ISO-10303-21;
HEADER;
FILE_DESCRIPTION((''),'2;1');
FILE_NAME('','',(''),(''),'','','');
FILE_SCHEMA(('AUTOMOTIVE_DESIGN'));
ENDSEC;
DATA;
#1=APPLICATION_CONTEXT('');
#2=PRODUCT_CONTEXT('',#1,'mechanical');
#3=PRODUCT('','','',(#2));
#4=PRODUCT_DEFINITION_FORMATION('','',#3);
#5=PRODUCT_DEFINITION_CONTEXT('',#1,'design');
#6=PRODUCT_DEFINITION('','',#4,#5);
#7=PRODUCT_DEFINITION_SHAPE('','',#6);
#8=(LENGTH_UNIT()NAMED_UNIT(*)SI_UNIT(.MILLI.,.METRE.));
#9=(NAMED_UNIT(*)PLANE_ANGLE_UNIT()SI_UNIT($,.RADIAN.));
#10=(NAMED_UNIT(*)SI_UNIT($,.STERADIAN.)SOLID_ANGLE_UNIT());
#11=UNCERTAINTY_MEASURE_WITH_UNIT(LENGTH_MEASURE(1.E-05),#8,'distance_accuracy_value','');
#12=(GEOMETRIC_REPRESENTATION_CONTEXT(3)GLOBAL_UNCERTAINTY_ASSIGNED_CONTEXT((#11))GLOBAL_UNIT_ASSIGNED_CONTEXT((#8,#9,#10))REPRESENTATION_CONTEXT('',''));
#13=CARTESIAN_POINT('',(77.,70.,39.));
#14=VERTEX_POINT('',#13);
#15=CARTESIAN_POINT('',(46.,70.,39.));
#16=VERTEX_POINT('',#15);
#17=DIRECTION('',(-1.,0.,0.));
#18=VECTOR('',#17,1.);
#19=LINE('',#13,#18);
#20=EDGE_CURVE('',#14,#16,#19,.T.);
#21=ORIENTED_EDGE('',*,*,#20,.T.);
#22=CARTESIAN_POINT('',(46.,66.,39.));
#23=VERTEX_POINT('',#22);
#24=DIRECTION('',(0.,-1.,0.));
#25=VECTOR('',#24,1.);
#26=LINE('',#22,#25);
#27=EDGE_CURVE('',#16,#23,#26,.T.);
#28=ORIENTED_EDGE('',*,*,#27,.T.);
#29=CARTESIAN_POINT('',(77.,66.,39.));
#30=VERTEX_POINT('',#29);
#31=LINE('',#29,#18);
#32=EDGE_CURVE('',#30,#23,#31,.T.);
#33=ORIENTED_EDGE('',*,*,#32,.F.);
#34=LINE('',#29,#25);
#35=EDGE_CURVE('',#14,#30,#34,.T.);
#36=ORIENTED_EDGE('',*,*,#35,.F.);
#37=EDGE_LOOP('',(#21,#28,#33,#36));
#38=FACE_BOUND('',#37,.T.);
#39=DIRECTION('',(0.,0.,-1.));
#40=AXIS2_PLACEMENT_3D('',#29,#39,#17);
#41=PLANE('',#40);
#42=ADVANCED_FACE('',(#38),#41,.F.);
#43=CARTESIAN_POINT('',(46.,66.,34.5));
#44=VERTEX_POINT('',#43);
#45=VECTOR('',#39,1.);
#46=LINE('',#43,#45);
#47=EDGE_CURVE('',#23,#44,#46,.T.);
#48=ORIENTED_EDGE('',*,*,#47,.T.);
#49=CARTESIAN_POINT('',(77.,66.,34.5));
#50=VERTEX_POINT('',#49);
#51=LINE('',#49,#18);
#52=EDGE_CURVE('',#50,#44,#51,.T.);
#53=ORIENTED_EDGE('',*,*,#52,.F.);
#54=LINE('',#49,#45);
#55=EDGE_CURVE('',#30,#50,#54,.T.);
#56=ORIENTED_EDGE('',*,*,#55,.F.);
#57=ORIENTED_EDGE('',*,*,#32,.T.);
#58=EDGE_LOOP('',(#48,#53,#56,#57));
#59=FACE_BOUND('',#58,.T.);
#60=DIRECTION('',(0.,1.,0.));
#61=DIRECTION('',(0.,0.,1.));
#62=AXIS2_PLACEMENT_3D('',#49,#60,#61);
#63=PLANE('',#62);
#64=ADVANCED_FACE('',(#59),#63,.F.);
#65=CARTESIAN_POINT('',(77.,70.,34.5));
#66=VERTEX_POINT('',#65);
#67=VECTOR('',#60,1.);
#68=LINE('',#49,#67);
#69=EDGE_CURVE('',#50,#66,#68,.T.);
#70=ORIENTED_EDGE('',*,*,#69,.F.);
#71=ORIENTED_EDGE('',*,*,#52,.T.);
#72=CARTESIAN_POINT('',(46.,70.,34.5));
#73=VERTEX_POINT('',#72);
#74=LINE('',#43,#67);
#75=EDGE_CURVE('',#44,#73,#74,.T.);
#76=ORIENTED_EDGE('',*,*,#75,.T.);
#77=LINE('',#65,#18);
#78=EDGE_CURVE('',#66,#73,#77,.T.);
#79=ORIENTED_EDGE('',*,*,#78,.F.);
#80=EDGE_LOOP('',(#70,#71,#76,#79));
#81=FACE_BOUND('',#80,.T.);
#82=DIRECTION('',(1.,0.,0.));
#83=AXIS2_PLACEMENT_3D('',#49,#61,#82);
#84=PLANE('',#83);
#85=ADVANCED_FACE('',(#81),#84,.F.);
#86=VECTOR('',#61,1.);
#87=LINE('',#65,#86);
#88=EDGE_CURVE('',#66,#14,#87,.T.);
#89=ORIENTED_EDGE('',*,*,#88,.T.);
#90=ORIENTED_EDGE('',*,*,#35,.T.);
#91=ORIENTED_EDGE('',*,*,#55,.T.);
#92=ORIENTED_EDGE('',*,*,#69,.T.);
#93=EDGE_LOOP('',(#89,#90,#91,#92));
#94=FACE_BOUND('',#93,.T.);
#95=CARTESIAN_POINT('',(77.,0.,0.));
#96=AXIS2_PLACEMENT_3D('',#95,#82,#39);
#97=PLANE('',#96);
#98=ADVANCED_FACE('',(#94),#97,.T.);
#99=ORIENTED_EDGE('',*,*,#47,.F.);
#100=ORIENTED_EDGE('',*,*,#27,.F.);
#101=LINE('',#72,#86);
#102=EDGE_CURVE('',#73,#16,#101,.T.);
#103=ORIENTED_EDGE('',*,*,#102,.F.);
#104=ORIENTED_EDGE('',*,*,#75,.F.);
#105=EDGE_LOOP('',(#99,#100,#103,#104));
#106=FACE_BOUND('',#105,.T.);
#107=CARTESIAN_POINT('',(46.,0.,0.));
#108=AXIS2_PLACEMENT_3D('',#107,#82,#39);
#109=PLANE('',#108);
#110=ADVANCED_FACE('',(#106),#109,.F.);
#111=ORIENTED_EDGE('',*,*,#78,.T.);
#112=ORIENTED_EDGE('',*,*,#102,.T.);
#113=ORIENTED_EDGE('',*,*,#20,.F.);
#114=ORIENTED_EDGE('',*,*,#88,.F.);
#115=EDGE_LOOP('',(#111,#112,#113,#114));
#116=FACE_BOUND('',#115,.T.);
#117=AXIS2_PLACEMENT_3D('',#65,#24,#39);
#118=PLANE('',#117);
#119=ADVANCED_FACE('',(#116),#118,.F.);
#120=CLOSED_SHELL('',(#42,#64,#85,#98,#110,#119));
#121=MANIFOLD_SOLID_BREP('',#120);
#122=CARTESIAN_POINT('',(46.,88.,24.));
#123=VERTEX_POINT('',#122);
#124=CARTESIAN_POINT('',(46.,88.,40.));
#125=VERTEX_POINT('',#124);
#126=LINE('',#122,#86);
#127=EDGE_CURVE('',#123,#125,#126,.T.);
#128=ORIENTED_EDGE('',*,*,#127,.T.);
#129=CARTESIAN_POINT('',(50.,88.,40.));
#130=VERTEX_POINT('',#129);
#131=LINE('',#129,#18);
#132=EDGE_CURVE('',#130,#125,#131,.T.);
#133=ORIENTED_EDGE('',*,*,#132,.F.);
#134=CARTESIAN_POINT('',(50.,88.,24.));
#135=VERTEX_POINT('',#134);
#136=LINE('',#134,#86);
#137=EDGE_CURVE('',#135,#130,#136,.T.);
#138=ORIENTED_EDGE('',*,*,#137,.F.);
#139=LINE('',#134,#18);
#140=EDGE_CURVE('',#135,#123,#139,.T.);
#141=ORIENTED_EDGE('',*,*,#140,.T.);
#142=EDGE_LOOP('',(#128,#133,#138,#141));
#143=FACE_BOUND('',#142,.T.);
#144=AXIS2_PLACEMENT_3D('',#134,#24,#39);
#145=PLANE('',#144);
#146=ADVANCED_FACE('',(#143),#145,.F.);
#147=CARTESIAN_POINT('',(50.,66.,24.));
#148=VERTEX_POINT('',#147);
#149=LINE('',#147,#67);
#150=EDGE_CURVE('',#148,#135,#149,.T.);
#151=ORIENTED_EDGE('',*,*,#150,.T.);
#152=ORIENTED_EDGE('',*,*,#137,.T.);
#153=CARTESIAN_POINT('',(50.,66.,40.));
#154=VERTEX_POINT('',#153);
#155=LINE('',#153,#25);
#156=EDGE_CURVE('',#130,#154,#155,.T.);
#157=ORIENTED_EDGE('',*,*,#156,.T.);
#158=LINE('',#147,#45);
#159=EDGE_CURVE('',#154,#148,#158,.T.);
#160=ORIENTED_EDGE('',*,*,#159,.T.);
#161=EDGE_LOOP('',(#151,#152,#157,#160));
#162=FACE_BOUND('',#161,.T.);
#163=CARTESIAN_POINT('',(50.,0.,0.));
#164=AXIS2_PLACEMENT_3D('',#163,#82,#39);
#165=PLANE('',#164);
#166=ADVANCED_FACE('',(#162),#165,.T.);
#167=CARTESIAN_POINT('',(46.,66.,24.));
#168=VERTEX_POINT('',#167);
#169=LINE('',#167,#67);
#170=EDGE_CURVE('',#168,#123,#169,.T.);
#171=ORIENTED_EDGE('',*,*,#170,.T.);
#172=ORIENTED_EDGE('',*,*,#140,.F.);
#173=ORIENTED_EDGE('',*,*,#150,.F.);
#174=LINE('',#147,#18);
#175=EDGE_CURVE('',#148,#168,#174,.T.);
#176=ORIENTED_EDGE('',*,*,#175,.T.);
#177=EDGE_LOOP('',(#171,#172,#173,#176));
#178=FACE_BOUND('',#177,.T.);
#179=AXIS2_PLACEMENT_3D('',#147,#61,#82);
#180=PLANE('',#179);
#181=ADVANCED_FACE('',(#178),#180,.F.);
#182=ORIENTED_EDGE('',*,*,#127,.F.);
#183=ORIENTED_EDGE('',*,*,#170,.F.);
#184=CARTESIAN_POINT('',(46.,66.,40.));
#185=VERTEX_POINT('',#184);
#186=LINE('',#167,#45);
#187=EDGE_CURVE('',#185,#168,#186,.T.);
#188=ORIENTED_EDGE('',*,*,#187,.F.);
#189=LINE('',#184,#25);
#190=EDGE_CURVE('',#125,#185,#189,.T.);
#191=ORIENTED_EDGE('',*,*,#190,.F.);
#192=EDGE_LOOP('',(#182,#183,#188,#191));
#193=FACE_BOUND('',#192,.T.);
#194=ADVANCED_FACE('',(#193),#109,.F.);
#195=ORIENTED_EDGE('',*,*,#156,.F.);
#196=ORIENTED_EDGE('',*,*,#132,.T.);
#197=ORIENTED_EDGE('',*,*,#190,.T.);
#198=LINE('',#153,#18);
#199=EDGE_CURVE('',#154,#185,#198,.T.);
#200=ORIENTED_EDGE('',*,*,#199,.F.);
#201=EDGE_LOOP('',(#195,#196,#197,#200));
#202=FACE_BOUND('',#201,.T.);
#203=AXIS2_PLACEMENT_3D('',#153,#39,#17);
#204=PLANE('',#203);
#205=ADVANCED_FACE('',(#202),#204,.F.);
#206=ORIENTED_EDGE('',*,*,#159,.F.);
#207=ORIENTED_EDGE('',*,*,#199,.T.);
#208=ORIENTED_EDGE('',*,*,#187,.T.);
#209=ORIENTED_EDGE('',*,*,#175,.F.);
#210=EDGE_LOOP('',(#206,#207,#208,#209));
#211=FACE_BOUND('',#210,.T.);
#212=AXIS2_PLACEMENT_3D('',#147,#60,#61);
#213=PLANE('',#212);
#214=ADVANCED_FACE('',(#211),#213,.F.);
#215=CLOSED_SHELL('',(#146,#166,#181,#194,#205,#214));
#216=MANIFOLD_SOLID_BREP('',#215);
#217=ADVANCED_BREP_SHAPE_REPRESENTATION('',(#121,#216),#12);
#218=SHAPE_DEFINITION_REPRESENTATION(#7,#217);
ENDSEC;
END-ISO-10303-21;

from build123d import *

# Parameters (mm, degrees)
COLUMN_START       = 46
SKETCH1_W          = 16
SKETCH1_H          = 22
COLUMN_DEPTH       = 4
ANCHOR_PLATE_START = 46
SKETCH2_W          = 4.5
SKETCH2_H          = 4
ANCHOR_PLATE_DEPTH = 31


with BuildPart() as part:
    # Sketch1 → column (new body)
    with BuildSketch(Plane(origin=(0, 0, 0), x_dir=(0, 0, -1), z_dir=(1, 0, 0)).offset(COLUMN_START)):
        with Locations((-32, 77)):
            Rectangle(SKETCH1_W, SKETCH1_H)
    extrude(amount=COLUMN_DEPTH)


with BuildPart() as body_2:
    # Sketch2 → anchor_plate (new body)
    with BuildSketch(Plane(origin=(0, 0, 0), x_dir=(0, 0, -1), z_dir=(1, 0, 0)).offset(ANCHOR_PLATE_START)):
        with Locations((-36.75, 68)):
            Rectangle(SKETCH2_W, SKETCH2_H)
    extrude(amount=ANCHOR_PLATE_DEPTH)


solid = Compound([part.part, body_2.part])
